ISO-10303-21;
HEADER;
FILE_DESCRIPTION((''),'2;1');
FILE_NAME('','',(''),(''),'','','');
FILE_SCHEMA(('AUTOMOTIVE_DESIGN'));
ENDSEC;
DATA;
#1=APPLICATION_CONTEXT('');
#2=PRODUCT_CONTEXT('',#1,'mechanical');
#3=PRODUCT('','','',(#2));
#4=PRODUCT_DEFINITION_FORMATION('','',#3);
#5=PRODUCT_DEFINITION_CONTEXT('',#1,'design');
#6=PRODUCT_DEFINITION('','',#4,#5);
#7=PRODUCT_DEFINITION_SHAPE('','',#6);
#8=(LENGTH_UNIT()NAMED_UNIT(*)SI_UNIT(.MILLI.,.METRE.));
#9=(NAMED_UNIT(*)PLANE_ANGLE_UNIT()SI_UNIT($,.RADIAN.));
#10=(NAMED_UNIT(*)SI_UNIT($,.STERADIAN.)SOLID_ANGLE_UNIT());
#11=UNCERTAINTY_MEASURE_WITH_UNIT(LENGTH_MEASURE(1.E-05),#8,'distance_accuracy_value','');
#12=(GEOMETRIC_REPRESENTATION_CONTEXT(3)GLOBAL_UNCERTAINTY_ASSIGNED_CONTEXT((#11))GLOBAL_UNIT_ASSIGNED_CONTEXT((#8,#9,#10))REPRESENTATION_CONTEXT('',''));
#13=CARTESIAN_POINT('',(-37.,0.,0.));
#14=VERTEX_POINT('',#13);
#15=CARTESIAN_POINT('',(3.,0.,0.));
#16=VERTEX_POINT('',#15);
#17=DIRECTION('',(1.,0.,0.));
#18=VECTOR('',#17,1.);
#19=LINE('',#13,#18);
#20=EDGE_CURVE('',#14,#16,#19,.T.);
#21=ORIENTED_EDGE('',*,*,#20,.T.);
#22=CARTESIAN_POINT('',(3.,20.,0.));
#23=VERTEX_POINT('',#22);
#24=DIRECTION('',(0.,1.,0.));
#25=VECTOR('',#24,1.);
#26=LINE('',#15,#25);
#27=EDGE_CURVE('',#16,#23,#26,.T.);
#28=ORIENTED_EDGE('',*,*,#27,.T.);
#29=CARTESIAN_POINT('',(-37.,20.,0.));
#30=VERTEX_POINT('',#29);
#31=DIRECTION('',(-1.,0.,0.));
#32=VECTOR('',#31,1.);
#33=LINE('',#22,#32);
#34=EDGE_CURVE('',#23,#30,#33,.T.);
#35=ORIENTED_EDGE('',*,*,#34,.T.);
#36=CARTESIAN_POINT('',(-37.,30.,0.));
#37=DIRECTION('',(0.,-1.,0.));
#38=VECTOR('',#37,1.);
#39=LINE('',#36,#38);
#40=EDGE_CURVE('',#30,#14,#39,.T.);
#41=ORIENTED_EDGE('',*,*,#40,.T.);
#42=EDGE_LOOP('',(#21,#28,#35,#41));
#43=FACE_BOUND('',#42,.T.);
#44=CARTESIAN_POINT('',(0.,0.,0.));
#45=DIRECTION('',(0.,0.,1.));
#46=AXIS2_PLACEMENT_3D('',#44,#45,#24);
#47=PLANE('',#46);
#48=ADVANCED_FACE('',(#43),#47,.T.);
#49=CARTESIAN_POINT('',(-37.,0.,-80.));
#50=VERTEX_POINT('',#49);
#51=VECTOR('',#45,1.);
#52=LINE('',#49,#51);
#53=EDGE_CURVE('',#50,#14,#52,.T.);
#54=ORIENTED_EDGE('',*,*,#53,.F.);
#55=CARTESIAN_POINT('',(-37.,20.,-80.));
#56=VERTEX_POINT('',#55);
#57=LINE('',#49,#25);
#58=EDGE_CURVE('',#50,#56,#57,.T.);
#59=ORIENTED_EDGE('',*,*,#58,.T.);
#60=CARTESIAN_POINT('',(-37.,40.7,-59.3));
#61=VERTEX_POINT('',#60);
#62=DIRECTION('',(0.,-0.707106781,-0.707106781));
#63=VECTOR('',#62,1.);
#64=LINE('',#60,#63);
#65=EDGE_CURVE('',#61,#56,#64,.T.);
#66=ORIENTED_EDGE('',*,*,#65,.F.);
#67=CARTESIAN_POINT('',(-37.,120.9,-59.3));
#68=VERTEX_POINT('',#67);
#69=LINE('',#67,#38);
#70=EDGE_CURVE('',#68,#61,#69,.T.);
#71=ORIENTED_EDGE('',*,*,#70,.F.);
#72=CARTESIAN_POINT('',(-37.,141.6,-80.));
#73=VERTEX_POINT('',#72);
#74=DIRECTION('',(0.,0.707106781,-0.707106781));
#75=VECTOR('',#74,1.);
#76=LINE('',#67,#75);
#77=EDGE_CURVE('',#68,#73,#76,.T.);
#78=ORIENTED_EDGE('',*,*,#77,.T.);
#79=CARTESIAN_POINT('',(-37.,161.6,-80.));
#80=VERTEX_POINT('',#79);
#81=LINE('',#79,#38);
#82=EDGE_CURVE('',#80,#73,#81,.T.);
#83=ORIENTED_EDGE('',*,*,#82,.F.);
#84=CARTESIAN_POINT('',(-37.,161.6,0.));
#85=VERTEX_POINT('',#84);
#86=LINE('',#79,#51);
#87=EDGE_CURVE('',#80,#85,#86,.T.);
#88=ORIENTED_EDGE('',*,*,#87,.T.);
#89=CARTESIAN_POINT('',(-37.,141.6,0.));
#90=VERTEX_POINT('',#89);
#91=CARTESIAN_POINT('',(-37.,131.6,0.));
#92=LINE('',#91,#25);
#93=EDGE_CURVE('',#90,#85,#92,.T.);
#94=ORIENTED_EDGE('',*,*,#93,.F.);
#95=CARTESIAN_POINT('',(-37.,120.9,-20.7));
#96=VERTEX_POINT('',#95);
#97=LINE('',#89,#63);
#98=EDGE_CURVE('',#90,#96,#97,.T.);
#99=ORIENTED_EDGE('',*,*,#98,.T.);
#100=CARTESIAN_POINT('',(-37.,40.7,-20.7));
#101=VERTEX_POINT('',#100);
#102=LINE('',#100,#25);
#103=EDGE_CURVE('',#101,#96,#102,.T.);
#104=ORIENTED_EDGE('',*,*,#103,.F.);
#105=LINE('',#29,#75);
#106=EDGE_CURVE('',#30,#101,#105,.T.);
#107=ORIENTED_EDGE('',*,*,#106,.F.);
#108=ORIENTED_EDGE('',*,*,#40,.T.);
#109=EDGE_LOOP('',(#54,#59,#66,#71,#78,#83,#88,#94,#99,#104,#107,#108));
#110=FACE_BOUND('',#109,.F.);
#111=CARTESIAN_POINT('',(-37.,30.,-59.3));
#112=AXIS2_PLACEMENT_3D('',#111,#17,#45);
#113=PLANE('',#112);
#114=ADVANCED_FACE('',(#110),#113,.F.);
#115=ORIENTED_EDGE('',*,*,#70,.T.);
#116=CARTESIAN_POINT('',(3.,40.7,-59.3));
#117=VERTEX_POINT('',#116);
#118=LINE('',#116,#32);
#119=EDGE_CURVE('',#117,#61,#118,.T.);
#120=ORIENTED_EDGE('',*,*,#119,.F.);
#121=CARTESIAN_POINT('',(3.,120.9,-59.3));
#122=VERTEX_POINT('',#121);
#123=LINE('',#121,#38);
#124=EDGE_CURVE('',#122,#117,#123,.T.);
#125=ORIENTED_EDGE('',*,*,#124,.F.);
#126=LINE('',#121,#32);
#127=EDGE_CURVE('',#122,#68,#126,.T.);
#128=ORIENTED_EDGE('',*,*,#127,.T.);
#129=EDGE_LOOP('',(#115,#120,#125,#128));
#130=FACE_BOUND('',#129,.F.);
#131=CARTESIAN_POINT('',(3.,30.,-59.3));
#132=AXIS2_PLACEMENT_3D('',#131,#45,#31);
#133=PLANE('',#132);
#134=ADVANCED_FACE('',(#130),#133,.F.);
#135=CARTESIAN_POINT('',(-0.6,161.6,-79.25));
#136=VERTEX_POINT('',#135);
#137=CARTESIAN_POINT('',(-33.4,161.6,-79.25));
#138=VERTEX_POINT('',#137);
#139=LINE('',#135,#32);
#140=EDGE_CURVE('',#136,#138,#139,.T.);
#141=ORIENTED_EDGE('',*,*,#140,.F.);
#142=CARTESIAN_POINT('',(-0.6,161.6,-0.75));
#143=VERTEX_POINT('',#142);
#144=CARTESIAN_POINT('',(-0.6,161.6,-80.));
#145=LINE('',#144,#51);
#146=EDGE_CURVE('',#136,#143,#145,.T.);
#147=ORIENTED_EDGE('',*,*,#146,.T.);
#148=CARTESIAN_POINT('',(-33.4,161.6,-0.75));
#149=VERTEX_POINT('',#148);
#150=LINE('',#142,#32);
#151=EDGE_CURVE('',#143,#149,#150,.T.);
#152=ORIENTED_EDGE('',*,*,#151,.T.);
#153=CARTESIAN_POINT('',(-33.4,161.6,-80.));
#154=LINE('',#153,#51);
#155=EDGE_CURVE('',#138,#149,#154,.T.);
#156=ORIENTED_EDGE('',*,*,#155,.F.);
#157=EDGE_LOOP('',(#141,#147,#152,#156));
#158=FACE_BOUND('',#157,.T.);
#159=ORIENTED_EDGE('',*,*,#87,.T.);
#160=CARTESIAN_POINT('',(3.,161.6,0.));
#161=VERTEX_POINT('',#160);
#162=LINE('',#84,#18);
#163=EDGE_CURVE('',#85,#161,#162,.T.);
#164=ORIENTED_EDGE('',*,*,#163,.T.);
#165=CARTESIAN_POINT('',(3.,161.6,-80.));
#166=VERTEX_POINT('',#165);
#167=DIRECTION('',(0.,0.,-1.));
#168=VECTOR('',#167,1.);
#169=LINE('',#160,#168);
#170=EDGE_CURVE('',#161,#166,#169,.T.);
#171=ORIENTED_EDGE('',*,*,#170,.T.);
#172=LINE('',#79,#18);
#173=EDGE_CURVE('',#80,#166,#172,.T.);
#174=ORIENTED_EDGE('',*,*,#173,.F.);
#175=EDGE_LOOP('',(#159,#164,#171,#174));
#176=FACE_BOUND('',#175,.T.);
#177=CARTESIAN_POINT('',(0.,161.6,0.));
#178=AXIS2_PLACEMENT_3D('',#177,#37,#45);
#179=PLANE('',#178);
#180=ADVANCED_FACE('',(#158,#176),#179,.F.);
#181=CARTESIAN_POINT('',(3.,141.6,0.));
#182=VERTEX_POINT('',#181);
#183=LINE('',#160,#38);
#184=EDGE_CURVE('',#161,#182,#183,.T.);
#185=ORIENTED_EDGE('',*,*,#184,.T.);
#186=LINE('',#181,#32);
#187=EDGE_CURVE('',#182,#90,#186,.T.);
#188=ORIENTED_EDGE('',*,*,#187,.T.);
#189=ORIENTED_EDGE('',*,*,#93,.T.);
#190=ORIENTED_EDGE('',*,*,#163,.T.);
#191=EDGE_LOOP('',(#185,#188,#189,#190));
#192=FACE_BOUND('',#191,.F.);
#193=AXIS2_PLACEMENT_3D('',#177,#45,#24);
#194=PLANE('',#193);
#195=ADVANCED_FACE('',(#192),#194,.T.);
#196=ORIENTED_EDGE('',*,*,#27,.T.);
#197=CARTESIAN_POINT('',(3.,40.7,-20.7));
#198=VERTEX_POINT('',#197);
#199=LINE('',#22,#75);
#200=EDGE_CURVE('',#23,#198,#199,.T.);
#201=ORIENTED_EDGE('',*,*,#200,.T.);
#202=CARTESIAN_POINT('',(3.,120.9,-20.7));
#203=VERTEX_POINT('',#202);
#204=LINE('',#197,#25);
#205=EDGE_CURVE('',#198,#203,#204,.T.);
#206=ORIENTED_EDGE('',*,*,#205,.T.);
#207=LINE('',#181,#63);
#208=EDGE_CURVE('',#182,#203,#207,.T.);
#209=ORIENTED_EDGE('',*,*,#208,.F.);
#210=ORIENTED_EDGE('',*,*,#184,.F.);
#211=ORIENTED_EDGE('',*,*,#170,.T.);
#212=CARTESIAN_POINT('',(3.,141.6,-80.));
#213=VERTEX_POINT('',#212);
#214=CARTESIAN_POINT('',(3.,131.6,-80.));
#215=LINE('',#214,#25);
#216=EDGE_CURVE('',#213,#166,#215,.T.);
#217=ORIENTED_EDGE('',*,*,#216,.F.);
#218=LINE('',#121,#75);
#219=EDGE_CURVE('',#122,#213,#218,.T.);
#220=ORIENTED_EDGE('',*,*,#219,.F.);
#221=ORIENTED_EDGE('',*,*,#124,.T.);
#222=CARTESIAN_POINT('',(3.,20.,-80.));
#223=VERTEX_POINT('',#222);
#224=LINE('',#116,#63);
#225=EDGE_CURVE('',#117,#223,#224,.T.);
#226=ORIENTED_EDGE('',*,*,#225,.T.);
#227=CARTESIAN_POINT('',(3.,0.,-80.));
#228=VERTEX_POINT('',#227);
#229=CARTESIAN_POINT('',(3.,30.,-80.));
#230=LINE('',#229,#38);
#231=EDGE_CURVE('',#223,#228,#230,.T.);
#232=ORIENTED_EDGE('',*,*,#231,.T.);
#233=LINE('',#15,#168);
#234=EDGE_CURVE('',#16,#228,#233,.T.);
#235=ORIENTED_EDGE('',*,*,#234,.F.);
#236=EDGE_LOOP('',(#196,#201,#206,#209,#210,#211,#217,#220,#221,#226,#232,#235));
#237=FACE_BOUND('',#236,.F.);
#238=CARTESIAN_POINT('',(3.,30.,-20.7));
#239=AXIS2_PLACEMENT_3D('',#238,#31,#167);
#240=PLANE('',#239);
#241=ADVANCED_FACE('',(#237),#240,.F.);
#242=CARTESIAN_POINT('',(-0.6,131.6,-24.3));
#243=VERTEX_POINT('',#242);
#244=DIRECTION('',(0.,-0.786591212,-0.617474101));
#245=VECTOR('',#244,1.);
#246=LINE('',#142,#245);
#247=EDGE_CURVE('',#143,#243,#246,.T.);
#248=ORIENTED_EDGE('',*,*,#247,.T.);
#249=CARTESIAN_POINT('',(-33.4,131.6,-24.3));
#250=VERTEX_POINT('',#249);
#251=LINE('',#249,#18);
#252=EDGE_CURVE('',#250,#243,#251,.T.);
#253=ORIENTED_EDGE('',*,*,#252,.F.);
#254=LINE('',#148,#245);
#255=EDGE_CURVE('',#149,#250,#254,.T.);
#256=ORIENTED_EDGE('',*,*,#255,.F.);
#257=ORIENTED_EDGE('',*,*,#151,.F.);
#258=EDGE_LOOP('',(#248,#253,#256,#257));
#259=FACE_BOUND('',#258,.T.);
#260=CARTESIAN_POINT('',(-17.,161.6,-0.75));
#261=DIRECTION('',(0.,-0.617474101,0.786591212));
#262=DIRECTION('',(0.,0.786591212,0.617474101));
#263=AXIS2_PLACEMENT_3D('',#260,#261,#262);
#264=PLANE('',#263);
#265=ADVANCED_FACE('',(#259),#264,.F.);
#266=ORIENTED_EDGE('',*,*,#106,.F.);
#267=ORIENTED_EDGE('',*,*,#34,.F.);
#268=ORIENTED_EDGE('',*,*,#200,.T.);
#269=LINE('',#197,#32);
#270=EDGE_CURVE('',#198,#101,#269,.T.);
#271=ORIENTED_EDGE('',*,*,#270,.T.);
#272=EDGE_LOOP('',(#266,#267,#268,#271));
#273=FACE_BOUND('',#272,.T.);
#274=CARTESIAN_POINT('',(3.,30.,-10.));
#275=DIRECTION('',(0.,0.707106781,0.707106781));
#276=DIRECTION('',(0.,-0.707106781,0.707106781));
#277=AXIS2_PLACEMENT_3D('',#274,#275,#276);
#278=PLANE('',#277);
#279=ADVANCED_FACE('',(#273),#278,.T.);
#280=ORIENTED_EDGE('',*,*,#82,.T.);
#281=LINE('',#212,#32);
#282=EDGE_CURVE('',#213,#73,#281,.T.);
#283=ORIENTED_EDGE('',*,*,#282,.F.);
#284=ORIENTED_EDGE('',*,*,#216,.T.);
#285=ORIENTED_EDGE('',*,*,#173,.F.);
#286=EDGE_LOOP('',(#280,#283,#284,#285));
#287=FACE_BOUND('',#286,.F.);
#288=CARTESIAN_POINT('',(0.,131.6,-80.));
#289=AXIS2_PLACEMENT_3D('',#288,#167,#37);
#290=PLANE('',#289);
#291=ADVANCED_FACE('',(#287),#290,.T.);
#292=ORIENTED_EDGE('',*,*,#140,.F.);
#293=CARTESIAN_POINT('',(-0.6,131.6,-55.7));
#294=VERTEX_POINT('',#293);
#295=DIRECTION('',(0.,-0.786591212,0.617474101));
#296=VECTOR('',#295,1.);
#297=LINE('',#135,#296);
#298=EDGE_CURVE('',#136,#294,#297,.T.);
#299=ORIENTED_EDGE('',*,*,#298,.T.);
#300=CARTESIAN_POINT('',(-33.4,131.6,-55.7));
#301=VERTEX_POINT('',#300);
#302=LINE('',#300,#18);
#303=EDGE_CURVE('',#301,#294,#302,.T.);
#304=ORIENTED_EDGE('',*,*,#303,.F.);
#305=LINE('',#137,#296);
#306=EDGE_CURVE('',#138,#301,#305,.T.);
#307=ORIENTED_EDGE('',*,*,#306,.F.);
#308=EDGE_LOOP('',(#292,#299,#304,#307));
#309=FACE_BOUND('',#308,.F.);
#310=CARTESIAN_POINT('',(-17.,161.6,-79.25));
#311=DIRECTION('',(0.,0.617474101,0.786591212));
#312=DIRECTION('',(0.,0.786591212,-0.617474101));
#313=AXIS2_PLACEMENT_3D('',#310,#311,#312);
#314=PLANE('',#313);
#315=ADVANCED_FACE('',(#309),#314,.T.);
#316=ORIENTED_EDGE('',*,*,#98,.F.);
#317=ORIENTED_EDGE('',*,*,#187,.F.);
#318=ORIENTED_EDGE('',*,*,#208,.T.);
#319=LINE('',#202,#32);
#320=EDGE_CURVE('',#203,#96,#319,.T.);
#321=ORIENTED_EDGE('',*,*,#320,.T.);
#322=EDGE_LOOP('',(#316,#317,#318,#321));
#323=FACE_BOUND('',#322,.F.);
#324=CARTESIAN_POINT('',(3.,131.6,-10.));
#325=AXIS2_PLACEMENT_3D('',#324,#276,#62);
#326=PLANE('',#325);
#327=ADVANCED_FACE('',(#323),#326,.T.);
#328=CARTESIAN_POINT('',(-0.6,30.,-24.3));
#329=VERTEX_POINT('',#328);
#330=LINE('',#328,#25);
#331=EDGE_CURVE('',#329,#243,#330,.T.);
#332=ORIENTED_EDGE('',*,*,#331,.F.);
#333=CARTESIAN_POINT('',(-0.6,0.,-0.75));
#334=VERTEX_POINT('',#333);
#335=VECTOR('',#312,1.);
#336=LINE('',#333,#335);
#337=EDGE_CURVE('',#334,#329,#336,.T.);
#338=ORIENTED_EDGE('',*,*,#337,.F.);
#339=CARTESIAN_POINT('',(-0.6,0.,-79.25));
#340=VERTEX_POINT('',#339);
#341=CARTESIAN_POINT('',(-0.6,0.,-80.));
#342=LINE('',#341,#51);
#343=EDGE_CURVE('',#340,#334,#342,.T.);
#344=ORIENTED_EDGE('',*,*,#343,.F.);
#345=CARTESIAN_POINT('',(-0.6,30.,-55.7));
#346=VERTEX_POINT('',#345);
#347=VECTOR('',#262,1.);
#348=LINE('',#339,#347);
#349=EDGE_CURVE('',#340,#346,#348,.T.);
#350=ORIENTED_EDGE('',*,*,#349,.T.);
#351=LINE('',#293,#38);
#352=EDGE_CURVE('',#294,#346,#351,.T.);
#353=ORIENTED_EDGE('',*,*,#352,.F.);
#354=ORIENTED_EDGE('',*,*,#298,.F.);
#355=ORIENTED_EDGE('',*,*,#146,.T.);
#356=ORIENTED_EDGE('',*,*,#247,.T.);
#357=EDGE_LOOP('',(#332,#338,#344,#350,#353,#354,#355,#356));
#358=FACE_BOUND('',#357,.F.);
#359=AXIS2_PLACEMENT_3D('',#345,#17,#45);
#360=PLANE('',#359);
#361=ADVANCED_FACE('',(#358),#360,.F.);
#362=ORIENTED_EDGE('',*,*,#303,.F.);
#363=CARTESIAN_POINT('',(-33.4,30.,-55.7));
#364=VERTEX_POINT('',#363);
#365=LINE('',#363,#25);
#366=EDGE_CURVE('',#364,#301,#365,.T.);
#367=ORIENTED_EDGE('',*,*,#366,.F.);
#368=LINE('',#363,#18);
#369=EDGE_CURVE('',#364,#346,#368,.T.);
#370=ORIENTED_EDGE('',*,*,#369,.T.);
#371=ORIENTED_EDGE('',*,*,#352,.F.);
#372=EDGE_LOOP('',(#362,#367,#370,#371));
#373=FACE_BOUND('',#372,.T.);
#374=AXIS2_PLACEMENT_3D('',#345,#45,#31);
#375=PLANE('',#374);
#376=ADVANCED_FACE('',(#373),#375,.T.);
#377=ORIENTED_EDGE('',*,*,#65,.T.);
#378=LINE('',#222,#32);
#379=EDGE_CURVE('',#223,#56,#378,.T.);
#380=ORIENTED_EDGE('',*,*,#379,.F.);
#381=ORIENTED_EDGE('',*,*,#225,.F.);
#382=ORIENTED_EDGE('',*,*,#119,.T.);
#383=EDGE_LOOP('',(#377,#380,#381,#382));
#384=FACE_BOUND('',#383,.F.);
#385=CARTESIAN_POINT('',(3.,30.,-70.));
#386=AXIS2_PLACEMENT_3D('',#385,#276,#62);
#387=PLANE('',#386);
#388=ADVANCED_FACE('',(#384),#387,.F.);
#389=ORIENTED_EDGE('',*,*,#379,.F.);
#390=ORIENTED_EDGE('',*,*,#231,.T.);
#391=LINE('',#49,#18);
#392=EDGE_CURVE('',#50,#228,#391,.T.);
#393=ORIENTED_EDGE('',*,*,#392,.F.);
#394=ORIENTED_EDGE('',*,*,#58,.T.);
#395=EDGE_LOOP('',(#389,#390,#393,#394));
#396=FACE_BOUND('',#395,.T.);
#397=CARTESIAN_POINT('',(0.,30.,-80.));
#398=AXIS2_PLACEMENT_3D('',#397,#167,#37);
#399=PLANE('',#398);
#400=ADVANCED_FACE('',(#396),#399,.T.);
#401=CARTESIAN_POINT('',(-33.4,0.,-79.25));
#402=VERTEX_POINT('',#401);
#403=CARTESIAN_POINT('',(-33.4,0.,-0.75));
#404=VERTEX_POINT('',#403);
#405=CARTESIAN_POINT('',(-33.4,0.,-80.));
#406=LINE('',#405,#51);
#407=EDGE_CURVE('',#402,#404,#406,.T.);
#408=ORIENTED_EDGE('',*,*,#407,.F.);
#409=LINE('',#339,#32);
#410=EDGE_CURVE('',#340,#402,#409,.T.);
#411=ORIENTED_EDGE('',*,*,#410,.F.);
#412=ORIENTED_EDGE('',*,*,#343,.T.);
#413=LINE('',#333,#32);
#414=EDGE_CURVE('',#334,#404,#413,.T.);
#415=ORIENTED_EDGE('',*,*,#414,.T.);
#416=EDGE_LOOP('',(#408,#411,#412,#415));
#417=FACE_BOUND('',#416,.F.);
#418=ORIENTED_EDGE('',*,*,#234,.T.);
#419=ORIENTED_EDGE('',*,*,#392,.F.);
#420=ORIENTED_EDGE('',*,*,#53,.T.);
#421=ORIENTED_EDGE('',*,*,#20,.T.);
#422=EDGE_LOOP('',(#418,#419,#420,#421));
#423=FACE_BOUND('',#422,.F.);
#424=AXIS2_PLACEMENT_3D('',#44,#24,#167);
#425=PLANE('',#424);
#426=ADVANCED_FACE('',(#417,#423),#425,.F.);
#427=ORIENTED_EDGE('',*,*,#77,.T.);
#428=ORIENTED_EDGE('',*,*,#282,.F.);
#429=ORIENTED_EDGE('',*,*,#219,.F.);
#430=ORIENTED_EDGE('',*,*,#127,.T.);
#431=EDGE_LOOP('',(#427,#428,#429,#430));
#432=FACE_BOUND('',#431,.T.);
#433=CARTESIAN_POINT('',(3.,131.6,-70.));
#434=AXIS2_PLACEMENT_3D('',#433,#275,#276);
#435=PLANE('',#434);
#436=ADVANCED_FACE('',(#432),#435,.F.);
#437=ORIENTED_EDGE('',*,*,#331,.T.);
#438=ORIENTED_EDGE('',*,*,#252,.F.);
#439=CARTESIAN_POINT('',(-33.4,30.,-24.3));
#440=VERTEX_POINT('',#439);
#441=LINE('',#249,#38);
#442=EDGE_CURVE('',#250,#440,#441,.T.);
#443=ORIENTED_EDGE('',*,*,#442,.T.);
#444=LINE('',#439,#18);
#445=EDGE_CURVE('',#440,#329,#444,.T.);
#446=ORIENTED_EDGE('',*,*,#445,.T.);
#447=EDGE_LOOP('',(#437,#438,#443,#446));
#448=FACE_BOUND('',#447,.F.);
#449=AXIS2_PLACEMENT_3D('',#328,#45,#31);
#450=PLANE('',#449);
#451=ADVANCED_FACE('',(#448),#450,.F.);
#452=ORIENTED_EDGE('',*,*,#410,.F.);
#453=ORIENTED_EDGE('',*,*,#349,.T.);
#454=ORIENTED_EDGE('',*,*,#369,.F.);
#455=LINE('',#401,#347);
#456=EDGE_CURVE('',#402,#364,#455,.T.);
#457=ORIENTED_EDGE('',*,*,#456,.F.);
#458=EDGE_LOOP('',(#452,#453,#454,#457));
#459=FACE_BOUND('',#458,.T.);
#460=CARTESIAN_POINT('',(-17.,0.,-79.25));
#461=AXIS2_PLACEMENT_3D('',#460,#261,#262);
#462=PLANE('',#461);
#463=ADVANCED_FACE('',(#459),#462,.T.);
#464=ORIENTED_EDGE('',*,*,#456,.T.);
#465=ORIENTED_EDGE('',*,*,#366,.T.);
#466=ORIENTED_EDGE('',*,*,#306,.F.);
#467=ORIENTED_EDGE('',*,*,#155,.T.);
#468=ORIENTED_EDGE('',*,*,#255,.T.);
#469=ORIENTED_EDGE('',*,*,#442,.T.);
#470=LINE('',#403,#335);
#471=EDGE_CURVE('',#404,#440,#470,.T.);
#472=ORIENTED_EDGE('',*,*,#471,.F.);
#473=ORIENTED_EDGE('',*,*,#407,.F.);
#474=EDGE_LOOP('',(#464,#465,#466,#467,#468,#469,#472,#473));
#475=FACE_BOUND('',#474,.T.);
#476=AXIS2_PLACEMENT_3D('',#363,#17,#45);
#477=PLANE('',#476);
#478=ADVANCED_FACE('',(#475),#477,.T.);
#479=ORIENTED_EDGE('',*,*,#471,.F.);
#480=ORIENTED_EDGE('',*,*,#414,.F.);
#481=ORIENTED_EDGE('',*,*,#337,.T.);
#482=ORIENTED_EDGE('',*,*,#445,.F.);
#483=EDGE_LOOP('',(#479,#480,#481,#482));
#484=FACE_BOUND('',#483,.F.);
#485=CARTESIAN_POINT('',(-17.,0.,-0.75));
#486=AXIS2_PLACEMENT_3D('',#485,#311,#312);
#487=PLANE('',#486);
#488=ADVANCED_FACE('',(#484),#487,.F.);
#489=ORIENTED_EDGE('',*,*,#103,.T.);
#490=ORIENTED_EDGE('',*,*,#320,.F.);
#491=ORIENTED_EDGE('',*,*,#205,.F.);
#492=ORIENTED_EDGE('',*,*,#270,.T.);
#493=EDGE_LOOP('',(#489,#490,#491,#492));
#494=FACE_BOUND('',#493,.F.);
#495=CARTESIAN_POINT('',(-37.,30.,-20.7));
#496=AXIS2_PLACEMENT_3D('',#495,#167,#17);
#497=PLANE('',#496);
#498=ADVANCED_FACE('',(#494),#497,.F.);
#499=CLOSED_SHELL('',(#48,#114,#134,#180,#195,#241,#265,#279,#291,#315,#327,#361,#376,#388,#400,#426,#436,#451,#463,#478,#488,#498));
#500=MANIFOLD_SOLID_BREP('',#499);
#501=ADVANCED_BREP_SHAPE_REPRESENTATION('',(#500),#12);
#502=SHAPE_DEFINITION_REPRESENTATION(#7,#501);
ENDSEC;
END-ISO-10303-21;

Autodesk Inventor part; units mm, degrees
ref_plane "YZ Plane" through (0, 0, 0) normal (1, 0, 0) x (0, 1, 0)
sketch "Sketch1" plane through (0, 0, 0) normal (0, 1, 0) x (-1, 0, 0)
  line L0 (0, 0) -> (34, 0)
  line L1 (34, 0) -> (34, -80)
  line L2 (34, -80) -> (0, -80)
  line L3 (0, -80) -> (0, 0)
  dimension "d0" = 34
  dimension "d1" = 80
extrude "Extrusion1" add sketch "Sketch1" along normal blind 30
ref_plane "Work Plane1" through (-17, 0, 0) normal (1, 0, 0) x (0, 0, -1)
sketch "Sketch2" plane through (-17, 0, 0) normal (1, 0, 0) x (0, 0, -1)
  line L0 (80, 30) -> (0, 30) projected
  line L1 (40, 30) -> (27.3, 30)
  line L2 (40, 30) -> (52.7, 30)
  line L3 (52.7, 30) -> (55.7, 30)
  line L4 (80, 0) -> (80, 30) projected
  line L5 (80, 0) -> (79.25, 0)
  line L6 (80, 0) -> (0, 0) projected
  line L7 (79.25, 0) -> (55.7, 30)
  line L8 (27.3, 30) -> (24.3, 30)
  line L9 (0, 0) -> (0.75, 0)
  line L10 (0.75, 0) -> (24.3, 30)
  line L11 (0.75, 0) -> (79.25, 0)
  dimension "d4" = 12.7
  dimension "d5" = 12.7
  dimension "d6" = 3
  dimension "d7" = 0.75
  dimension "d8" = 3
  dimension "d9" = 0.75
extrude "Extrusion2" cut sketch "Sketch2" along normal mid plane 32.8 contours L7 L6 L10 L0
sketch "Sketch3" plane through (-34, 0, -80) normal (-1, 0, 0) x (0, 0, 1)
  line L0 (80, 30) -> (0, 30) projected
  line L1 (0, 0) -> (80, 0) projected
  line L2 (0, 30) -> (80, 30)
  line L3 (80, 30) -> (80, 0)
  line L4 (80, 0) -> (0, 0)
  line L5 (0, 0) -> (0, 30)
extrude "Extrusion3" add sketch "Sketch3" along normal blind 3
sketch "Sketch4" plane through (0, 0, 0) normal (1, 0, 0) x (0, 0, -1)
  line L0 (0, 0) -> (0, 30) projected
  line L1 (0, 0) -> (80, 0) projected
  line L2 (0, 30) -> (80, 30)
  line L3 (80, 30) -> (80, 0)
  line L4 (80, 0) -> (0, 0)
  line L5 (0, 0) -> (0, 30)
extrude "Extrusion4" add sketch "Sketch4" along normal blind 3
sketch "Sketch5" plane through (3, 0, 0) normal (1, 0, 0) x (0, 0, -1)
  line L0 (0, 30) -> (80, 30) projected
  line L1 (0, 30) -> (0, 20)
  line L2 (0, 0) -> (0, 30) projected
  line L3 (0, 30) -> (10, 30)
  line L4 (10, 30) -> (0, 20)
  line L5 (80, 30) -> (80, 0) projected
  line L6 (80, 30) -> (80, 20)
  line L7 (80, 30) -> (70, 30)
  line L8 (70, 30) -> (80, 20)
  dimension "d16" = 10
  dimension "d17" = 10
  dimension "d18" = 10
extrude "Extrusion5" cut sketch "Sketch5" against normal through all
sketch "Sketch6" plane through (0, 30, 0) normal (0, 1, 0) x (1, 0, 0)
  line L0 (-0.6, 24.3) -> (-33.4, 24.3) projected
  line L1 (-0.6, 55.7) -> (-0.6, 24.3) projected
  line L2 (-33.4, 24.3) -> (-0.6, 24.3)
  line L3 (-0.6, 24.3) -> (-0.6, 55.7)
  line L4 (-0.6, 55.7) -> (-33.4, 55.7)
  line L5 (-33.4, 55.7) -> (-33.4, 24.3)
  line L6 (-37, 20.7) -> (3, 20.7)
  line L7 (3, 20.7) -> (3, 59.3)
  line L8 (3, 59.3) -> (-37, 59.3)
  line L9 (-37, 59.3) -> (-37, 20.7)
  point P0 (0, 0)
  dimension "d21" = 3.6
extrude "Extrusion6" add sketch "Sketch6" along normal blind 76.2
sketch "Sketch7" plane through (3, 0, 0) normal (1, 0, 0) x (0, 0, -1)
  line L0 (20.7, 30) -> (10, 30) projected
  line L1 (10, 30) -> (20.7, 40.7)
  line L2 (20.7, 30) -> (20.7, 106.2) projected
  line L3 (10, 30) -> (25.1321, 30) construction
  line L4 (20.7, 40.7) -> (20.7, 30)
  line L5 (20.7, 30) -> (10, 30)
  line L6 (70, 30) -> (59.3, 30) projected
  line L7 (70, 30) -> (59.3, 40.7)
  line L8 (59.3, 30) -> (59.3, 106.2) projected
  line L9 (59.3, 40.7) -> (59.3, 30)
  line L10 (70, 30) -> (80, 20) projected
  line L11 (59.3, 30) -> (70, 30)
  point P0 (0, 0)
  dimension "d24" = 45
extrude "Extrusion7" add sketch "Sketch7" against normal up to surface (40 mm away)
ref_plane "Work Plane2" through (0, 80.8, 0) normal (0, 1, 0) x (1, 0, 0)
mirror "Mirror1" about plane through (0, 80.8, 0) normal (0, 1, 0)
properties part number "Bone_Cover"
